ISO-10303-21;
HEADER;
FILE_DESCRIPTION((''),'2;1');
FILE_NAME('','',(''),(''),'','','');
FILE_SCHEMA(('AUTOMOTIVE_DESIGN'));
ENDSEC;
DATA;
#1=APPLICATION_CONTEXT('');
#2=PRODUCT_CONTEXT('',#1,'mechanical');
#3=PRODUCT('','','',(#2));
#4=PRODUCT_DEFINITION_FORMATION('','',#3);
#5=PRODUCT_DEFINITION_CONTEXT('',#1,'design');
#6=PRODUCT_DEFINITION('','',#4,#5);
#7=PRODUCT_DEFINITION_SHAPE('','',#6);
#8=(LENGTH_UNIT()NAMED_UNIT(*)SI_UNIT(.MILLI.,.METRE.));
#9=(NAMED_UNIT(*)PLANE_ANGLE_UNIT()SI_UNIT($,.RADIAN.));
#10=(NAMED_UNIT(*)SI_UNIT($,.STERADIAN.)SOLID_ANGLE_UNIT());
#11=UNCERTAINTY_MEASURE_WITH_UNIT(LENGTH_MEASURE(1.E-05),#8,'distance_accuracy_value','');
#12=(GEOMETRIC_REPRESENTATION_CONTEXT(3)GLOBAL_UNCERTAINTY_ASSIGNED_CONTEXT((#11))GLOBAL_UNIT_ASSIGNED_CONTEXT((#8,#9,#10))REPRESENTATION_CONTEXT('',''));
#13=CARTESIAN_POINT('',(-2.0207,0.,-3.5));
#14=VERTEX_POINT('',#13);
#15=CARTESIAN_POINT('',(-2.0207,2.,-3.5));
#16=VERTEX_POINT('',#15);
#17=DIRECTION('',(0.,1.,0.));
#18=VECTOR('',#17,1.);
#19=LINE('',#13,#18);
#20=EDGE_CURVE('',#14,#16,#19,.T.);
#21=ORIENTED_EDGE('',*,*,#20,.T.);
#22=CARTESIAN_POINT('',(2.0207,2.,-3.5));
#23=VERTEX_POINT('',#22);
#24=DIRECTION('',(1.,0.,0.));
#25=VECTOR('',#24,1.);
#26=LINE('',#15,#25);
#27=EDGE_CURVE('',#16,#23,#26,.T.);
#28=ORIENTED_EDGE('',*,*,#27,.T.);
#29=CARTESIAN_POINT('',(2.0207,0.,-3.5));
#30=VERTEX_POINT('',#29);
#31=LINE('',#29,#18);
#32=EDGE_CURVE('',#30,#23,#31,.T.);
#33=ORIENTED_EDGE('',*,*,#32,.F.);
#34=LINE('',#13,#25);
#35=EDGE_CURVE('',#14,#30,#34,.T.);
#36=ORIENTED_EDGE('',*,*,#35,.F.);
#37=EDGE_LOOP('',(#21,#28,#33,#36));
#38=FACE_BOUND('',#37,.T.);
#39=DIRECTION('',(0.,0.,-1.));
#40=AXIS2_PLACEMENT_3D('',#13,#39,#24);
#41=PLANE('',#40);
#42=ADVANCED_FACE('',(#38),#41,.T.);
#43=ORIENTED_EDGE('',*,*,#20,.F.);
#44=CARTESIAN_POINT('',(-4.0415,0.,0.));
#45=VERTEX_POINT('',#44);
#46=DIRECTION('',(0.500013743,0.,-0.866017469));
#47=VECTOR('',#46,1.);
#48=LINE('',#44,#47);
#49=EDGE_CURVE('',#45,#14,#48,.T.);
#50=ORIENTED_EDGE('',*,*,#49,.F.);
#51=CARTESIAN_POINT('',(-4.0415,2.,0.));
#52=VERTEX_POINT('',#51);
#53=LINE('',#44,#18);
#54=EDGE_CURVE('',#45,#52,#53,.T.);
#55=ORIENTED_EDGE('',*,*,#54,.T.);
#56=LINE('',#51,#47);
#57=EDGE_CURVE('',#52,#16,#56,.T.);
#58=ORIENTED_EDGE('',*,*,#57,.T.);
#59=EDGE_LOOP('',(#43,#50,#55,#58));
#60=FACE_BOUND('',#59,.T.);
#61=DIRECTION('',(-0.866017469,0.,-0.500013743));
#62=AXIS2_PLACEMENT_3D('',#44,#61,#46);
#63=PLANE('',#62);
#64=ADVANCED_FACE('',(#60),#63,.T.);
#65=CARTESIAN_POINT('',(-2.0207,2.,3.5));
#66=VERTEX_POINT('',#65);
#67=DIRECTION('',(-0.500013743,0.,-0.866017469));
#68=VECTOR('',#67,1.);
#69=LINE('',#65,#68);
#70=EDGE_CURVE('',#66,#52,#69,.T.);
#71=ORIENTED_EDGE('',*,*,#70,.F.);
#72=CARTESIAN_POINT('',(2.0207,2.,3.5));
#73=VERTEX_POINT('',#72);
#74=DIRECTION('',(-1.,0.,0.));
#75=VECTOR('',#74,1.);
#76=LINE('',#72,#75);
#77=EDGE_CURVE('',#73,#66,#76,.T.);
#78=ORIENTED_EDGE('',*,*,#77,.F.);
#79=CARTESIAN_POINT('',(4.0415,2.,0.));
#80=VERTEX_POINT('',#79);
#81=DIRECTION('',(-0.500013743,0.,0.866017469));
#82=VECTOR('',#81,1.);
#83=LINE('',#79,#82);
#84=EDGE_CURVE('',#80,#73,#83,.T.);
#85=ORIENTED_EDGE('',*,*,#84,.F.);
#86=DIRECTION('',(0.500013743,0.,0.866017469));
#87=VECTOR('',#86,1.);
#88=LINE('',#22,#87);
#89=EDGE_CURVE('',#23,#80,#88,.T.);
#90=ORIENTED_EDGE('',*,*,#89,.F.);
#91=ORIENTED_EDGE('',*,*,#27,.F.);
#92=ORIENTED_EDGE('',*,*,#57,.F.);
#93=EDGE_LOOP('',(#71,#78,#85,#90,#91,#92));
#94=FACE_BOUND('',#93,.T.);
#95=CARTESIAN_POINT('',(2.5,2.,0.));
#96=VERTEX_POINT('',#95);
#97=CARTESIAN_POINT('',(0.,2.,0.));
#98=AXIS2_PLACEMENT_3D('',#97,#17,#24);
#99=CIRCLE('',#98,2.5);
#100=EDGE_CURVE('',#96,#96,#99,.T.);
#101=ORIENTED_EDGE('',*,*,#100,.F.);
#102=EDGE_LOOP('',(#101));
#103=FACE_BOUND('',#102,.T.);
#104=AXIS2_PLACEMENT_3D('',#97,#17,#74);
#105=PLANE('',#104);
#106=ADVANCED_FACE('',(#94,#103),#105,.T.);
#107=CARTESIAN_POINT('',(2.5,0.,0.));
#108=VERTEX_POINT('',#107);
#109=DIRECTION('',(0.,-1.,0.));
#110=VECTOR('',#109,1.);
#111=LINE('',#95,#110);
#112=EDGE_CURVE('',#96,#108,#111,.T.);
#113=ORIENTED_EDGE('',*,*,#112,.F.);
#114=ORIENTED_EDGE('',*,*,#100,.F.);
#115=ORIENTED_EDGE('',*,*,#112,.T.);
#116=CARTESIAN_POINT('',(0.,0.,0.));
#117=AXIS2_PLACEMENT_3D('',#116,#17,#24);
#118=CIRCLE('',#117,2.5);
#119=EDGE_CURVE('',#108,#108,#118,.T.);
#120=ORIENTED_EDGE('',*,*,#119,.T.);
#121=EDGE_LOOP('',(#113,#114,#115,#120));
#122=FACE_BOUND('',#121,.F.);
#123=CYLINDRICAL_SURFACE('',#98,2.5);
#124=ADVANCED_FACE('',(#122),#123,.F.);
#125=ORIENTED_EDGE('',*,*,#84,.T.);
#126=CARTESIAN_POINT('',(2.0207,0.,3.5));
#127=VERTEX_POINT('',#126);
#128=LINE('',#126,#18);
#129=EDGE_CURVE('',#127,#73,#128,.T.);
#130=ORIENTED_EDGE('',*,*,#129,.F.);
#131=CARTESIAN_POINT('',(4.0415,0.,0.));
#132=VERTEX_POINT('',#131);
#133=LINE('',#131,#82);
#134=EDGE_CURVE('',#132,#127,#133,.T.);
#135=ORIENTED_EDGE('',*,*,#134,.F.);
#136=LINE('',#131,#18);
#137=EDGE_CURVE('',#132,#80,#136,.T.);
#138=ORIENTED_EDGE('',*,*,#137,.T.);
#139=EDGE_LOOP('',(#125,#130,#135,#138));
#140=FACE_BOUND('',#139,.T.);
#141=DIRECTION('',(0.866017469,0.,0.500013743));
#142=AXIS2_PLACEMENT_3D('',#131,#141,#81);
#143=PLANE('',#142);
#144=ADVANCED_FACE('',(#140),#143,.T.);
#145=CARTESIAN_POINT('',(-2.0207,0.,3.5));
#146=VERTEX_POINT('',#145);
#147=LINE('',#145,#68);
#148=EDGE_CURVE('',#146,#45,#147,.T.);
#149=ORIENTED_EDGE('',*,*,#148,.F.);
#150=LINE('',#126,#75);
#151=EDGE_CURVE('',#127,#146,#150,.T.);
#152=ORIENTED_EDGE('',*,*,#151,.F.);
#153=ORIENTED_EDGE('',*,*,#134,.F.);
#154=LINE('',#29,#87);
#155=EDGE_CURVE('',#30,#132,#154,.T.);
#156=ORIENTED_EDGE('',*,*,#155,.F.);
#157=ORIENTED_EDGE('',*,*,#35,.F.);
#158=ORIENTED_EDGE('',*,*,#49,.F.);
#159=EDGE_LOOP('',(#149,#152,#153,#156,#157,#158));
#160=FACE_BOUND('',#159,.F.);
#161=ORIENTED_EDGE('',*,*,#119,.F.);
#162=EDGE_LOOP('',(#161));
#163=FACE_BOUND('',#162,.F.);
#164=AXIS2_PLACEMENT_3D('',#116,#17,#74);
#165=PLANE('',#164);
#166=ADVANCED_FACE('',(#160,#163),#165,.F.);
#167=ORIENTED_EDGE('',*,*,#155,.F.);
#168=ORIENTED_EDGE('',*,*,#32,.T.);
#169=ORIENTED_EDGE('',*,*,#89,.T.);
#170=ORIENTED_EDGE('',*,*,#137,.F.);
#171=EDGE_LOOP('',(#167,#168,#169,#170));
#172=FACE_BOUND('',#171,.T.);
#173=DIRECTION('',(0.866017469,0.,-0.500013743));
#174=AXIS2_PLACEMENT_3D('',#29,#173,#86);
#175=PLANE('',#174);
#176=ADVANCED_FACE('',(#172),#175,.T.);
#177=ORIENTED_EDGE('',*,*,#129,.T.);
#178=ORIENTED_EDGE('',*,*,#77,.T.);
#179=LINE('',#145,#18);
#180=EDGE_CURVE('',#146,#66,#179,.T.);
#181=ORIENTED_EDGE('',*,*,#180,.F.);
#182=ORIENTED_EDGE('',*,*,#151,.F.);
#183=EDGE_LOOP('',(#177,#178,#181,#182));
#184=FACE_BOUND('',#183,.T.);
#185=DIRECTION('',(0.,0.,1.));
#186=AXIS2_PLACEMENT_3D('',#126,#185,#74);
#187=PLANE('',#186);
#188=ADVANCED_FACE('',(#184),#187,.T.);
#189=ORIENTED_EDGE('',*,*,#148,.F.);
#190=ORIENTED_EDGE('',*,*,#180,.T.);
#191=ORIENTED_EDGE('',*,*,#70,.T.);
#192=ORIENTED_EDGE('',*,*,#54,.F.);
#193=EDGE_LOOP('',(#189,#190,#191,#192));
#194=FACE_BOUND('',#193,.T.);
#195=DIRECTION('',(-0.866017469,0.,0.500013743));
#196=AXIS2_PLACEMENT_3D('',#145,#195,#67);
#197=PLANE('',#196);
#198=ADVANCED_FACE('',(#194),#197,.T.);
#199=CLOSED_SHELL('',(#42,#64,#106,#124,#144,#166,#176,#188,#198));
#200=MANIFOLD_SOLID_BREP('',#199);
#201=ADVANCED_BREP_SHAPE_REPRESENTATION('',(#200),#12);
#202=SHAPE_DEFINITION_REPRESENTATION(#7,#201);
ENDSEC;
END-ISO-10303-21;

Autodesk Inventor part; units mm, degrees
ref_plane "YZ Plane" through (0, 0, 0) normal (1, 0, 0) x (0, 1, 0)
ref_plane "XZ Plane" through (0, 0, 0) normal (0, 1, 0) x (-1, 0, 0)
ref_plane "XY Plane" through (0, 0, 0) normal (0, 0, 1) x (1, 0, 0)
sketch "Sketch1" plane through (0, 0, 0) normal (0, 1, 0) x (-1, 0, 0)
  line L0 (-4.0415, 0) -> (-2.0207, 3.5)
  line L1 (-2.0207, 3.5) -> (2.0207, 3.5)
  line L2 (2.0207, 3.5) -> (4.0415, 0)
  line L3 (4.0415, 0) -> (2.0207, -3.5)
  line L4 (2.0207, -3.5) -> (-2.0207, -3.5)
  line L5 (-2.0207, -3.5) -> (-4.0415, 0)
  point P0 (0, 0)
  point P1 (0, 0)
  dimension "d0" = 7
extrude "Extrusion1" add sketch "Sketch1" along normal blind 2
sketch "Sketch3" plane through (0, 2, 0) normal (0, 1, 0) x (1, 0, 0)
  circle A0 centre (0, 0) radius 2.5
  dimension "d6" = 5
extrude "Extrusion3" cut sketch "Sketch3" against normal blind 10
properties part number "Bolt 5mm"
